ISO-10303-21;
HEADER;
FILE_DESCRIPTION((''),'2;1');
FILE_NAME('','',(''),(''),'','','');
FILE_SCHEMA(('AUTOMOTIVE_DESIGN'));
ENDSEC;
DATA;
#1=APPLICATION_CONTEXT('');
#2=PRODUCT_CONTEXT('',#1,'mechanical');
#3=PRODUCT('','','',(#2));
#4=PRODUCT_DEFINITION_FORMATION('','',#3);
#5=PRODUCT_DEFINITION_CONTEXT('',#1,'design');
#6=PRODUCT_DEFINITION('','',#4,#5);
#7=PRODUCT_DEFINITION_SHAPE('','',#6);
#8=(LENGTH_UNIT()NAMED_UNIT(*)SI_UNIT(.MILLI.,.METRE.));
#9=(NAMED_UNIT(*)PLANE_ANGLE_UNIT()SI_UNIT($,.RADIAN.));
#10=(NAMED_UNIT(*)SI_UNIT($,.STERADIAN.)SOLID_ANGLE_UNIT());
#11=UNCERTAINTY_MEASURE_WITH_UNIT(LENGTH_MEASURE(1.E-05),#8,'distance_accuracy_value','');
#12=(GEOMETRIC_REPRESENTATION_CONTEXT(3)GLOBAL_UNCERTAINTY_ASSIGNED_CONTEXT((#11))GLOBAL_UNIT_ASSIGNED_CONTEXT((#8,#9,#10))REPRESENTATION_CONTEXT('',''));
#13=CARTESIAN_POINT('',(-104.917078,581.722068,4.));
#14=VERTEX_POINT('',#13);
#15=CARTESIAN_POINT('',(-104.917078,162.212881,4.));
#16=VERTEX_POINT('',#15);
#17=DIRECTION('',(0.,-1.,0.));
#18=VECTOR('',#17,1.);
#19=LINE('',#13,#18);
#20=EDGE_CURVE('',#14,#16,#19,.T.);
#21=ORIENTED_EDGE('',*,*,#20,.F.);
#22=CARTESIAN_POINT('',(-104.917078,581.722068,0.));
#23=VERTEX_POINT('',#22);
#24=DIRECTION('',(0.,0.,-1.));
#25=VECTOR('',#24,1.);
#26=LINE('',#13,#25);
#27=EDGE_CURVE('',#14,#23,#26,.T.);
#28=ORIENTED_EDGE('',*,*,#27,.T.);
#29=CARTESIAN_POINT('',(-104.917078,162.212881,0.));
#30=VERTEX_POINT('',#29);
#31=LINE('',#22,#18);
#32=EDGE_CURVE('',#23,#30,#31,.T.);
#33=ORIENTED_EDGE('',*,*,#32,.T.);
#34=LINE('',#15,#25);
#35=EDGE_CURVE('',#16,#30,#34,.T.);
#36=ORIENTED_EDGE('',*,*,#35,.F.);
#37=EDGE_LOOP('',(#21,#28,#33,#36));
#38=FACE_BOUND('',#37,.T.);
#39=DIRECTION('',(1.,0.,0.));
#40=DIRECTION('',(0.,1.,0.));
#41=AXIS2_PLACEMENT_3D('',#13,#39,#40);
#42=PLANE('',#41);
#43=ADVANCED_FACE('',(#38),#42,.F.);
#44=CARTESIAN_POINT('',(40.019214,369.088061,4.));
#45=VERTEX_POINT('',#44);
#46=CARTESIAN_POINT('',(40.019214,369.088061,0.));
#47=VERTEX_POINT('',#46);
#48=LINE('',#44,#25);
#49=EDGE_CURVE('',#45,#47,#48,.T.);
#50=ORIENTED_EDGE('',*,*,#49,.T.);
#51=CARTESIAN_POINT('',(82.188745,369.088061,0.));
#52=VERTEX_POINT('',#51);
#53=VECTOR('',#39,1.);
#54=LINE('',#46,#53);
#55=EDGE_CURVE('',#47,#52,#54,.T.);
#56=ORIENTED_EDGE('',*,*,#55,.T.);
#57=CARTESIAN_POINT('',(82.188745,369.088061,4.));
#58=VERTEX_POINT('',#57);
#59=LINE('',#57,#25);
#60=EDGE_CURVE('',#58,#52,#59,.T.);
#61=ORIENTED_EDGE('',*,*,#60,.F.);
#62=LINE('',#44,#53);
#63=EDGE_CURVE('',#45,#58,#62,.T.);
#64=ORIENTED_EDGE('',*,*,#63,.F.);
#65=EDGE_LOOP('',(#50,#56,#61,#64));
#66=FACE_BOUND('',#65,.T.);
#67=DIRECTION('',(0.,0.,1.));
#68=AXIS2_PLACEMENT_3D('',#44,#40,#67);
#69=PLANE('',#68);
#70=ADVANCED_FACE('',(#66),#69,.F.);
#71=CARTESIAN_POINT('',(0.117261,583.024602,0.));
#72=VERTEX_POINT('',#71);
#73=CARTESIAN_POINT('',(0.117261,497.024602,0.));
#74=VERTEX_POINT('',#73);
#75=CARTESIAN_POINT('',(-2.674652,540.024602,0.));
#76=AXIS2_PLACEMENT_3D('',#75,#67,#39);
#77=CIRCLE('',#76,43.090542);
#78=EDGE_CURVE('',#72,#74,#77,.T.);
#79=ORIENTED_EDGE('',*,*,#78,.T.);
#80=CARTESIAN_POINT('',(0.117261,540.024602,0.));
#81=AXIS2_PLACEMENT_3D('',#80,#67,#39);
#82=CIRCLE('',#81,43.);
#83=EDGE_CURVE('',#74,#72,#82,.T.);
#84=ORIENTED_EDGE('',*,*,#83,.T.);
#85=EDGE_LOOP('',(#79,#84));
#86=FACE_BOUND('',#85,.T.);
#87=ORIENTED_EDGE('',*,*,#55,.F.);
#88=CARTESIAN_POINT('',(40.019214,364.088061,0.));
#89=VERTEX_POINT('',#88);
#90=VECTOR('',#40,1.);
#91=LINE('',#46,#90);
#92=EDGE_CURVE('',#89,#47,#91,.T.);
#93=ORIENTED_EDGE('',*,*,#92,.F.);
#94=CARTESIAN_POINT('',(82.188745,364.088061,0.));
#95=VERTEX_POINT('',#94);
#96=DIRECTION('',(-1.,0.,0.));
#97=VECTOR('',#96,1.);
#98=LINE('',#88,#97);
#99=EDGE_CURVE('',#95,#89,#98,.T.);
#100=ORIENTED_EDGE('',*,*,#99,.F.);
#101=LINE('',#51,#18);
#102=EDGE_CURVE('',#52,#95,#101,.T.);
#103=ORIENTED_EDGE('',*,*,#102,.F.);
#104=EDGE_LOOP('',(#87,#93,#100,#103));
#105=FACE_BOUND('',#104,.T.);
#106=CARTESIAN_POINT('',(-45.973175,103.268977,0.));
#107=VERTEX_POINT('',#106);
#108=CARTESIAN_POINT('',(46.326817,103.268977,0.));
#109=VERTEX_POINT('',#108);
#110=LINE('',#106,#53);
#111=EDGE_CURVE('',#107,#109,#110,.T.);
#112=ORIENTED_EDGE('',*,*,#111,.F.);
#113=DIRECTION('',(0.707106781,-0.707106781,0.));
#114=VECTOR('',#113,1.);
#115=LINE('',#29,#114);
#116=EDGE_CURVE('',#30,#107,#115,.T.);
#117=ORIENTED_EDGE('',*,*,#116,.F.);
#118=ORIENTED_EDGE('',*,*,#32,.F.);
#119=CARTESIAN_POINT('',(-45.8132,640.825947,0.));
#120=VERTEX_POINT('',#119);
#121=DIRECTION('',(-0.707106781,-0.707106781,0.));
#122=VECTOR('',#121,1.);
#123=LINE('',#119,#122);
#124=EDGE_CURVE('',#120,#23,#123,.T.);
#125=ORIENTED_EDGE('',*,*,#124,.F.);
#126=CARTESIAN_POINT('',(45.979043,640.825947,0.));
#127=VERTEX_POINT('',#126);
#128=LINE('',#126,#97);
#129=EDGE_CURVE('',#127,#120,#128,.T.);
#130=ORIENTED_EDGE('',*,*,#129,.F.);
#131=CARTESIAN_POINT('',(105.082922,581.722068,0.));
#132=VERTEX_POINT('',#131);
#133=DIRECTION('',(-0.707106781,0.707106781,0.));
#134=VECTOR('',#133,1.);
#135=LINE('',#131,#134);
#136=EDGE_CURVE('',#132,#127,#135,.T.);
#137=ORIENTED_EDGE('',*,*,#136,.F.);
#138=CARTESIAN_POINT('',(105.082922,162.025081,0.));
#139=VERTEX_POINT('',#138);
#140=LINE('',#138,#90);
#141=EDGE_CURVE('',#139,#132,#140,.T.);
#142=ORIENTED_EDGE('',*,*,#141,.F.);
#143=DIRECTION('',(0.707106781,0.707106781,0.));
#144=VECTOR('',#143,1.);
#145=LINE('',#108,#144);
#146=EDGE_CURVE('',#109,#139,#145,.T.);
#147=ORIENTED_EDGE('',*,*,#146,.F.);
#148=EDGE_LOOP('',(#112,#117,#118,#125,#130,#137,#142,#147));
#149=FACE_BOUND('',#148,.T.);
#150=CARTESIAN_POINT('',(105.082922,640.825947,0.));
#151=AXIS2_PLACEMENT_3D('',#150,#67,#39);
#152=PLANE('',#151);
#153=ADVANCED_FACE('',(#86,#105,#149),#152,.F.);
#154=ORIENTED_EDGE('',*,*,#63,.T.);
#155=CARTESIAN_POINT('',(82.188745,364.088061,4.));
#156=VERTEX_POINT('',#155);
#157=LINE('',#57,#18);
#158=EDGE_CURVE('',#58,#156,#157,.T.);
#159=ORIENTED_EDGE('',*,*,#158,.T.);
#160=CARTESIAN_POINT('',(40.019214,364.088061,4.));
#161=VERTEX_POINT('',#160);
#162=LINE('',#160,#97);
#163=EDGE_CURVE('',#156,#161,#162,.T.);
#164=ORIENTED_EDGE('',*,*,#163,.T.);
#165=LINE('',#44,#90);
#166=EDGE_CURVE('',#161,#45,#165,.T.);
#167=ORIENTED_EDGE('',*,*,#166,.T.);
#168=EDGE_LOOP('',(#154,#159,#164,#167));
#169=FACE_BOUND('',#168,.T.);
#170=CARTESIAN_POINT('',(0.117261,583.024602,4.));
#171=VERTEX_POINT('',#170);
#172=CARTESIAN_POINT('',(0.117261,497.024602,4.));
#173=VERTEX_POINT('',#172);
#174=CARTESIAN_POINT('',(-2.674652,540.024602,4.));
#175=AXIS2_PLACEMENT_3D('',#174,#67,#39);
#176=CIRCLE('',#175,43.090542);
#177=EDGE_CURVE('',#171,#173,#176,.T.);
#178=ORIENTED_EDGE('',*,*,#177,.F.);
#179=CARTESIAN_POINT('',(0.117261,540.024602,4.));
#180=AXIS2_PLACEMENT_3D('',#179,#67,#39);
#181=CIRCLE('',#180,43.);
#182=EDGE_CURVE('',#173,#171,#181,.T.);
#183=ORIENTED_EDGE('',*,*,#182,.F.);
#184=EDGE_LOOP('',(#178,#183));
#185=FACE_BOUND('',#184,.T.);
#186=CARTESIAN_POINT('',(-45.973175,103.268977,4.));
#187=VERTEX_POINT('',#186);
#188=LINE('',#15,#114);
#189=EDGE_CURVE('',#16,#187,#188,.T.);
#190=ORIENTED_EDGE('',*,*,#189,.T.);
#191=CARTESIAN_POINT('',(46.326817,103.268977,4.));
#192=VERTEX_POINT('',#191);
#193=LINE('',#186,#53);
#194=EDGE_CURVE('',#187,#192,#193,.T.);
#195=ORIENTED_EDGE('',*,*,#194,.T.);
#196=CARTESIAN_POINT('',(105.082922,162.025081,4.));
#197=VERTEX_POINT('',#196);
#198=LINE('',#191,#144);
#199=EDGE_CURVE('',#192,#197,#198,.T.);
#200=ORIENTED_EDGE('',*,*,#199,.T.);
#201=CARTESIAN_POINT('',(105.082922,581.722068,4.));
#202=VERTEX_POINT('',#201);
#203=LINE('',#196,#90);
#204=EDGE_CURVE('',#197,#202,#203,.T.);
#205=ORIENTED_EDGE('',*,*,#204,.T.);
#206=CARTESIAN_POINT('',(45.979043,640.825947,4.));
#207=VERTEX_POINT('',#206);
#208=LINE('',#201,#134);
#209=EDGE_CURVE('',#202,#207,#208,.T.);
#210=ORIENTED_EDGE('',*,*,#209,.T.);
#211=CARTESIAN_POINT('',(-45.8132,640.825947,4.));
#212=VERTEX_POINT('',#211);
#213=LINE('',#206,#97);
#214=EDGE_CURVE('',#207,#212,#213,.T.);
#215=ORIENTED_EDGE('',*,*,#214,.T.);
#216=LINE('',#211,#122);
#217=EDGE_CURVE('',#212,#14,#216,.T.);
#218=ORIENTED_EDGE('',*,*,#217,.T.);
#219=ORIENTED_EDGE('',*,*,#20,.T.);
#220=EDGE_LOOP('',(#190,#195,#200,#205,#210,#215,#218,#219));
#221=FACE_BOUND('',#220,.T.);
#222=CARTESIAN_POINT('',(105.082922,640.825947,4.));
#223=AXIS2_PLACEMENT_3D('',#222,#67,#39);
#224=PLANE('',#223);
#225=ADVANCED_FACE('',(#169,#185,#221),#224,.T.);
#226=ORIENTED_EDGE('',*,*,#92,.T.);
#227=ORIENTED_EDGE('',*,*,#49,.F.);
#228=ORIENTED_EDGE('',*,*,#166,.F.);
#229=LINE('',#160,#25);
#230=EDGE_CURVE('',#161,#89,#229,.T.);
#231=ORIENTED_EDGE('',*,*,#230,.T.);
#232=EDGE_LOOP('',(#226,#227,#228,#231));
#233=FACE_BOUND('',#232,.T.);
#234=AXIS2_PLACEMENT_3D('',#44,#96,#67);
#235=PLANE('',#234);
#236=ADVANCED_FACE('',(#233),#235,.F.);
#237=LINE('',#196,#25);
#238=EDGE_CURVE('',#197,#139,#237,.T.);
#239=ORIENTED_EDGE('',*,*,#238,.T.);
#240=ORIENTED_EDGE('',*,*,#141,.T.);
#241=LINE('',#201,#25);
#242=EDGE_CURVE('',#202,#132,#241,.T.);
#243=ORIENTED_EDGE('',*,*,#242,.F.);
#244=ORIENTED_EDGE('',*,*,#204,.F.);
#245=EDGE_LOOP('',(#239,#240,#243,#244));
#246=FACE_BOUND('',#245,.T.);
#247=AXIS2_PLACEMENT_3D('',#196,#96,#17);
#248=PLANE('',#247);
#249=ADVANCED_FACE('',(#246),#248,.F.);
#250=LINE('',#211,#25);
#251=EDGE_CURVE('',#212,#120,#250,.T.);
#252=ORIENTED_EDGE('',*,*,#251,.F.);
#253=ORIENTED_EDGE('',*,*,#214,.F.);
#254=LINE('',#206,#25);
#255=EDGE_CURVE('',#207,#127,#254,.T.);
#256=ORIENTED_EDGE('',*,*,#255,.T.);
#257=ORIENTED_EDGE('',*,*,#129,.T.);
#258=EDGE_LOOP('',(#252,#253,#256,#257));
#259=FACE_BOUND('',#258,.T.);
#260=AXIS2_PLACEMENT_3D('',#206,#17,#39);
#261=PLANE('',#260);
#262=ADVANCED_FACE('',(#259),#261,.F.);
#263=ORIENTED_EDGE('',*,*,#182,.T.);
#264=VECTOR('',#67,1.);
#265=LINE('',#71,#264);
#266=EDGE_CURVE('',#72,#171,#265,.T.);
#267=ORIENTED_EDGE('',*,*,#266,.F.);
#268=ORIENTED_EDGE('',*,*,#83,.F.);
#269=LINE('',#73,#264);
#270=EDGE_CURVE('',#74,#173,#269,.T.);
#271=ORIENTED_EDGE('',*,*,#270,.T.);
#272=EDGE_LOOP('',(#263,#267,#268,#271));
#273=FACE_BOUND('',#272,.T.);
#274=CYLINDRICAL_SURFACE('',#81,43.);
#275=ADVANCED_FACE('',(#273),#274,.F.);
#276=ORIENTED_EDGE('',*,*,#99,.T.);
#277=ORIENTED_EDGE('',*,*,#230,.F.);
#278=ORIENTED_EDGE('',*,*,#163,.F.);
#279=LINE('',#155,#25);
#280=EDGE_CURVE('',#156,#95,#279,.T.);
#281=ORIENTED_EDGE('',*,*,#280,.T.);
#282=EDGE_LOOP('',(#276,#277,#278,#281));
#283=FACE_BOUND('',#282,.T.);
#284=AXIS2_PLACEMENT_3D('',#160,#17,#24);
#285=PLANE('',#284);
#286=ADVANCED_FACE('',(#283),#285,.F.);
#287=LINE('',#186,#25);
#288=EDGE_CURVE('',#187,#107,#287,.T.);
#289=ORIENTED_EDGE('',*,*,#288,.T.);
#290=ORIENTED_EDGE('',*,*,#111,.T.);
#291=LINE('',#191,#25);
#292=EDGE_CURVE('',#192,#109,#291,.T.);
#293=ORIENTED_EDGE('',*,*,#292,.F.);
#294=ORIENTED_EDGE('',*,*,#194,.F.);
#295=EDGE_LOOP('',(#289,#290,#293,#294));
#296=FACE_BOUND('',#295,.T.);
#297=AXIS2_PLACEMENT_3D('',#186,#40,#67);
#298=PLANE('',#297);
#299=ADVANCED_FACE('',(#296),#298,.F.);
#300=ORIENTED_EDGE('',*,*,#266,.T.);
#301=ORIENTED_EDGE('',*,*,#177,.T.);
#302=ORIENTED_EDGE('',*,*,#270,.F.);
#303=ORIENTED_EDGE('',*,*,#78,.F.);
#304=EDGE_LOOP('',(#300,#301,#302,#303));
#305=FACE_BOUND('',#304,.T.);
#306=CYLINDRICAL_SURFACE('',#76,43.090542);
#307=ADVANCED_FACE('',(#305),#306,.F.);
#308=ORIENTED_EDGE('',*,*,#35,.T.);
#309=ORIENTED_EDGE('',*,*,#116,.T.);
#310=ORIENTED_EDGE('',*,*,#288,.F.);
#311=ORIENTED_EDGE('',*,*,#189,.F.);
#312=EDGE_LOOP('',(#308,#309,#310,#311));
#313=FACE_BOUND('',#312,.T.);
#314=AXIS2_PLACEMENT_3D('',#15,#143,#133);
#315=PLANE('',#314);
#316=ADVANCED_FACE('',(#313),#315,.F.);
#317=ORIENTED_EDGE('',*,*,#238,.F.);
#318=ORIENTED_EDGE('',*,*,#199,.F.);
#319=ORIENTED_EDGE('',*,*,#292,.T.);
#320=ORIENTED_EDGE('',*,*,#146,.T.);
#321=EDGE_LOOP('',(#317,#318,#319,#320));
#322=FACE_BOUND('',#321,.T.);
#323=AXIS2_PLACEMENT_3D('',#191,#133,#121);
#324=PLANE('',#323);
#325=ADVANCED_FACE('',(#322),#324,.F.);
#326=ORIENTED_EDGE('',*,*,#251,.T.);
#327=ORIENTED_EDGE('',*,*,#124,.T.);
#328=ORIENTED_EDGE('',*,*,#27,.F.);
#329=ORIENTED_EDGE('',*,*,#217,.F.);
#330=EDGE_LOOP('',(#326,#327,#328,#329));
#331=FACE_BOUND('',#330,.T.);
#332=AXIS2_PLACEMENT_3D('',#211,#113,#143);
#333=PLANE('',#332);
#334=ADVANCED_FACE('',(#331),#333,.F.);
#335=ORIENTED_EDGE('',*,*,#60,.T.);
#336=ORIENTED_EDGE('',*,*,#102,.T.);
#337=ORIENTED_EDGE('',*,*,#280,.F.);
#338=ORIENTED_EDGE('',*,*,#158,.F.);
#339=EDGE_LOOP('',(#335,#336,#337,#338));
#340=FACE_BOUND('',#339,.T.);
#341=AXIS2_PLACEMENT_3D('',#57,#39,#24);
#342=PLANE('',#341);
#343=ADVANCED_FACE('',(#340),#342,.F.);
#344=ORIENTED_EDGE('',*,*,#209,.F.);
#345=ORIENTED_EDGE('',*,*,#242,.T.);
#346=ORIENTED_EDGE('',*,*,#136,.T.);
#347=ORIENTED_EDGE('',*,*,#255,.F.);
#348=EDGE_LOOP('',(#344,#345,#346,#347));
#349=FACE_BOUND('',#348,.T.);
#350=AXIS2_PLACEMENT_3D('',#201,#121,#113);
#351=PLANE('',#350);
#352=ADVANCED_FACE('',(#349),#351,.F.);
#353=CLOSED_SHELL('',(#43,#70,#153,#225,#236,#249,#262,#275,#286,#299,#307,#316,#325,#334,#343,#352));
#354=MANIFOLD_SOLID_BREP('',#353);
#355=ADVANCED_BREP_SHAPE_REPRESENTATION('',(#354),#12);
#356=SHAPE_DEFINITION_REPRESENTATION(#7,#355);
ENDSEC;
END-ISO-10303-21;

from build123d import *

# Parameters (mm, degrees)
EXTRUDE_1_DEPTH     = 4
CUT_EXTRUDE_1_DEPTH = 650.396885451
SKETCH_3_W          = 42.169531332
SKETCH_3_H          = 5.000000403
CUT_EXTRUDE_2_DEPTH = 650.396885451


with BuildPart() as part:
    # Эскиз1 → Вытянуть1 (new body)
    with BuildSketch(Plane.XY):
        Polygon((105.082921559, 581.722068254), (45.979042749, 640.825947064), (-45.813199631, 640.825947064), (-104.917078441, 581.722068254), (-104.917078441, 162.212880509), (-45.97317451, 103.268976578), (46.326817337, 103.268976578), (105.082921559, 162.0250808), align=None)
    extrude(amount=EXTRUDE_1_DEPTH)

    # Эскиз2 → Вырез-Вытянуть1 (cut, through all)
    with BuildSketch(Plane.XY.offset(4)):
        with BuildLine():
            ThreePointArc((0.117260776, 497.024602251), (43.117260776, 540.024602251), (0.117260776, 583.024602251))
            ThreePointArc((0.117260776, 583.024602251), (-45.765193681, 540.024602251), (0.117260776, 497.024602251))
        make_face()
    extrude(amount=-CUT_EXTRUDE_1_DEPTH, mode=Mode.SUBTRACT)

    # Эскиз3 → Вырез-Вытянуть2 (cut, through all)
    with BuildSketch(Plane(origin=(0, 0, 0), x_dir=(-1, 0, 0), z_dir=(0, 0, -1))):
        with Locations((-61.103979415, 366.588061036)):
            Rectangle(SKETCH_3_W, SKETCH_3_H)
    extrude(amount=-CUT_EXTRUDE_2_DEPTH, mode=Mode.SUBTRACT)


solid = part.part
